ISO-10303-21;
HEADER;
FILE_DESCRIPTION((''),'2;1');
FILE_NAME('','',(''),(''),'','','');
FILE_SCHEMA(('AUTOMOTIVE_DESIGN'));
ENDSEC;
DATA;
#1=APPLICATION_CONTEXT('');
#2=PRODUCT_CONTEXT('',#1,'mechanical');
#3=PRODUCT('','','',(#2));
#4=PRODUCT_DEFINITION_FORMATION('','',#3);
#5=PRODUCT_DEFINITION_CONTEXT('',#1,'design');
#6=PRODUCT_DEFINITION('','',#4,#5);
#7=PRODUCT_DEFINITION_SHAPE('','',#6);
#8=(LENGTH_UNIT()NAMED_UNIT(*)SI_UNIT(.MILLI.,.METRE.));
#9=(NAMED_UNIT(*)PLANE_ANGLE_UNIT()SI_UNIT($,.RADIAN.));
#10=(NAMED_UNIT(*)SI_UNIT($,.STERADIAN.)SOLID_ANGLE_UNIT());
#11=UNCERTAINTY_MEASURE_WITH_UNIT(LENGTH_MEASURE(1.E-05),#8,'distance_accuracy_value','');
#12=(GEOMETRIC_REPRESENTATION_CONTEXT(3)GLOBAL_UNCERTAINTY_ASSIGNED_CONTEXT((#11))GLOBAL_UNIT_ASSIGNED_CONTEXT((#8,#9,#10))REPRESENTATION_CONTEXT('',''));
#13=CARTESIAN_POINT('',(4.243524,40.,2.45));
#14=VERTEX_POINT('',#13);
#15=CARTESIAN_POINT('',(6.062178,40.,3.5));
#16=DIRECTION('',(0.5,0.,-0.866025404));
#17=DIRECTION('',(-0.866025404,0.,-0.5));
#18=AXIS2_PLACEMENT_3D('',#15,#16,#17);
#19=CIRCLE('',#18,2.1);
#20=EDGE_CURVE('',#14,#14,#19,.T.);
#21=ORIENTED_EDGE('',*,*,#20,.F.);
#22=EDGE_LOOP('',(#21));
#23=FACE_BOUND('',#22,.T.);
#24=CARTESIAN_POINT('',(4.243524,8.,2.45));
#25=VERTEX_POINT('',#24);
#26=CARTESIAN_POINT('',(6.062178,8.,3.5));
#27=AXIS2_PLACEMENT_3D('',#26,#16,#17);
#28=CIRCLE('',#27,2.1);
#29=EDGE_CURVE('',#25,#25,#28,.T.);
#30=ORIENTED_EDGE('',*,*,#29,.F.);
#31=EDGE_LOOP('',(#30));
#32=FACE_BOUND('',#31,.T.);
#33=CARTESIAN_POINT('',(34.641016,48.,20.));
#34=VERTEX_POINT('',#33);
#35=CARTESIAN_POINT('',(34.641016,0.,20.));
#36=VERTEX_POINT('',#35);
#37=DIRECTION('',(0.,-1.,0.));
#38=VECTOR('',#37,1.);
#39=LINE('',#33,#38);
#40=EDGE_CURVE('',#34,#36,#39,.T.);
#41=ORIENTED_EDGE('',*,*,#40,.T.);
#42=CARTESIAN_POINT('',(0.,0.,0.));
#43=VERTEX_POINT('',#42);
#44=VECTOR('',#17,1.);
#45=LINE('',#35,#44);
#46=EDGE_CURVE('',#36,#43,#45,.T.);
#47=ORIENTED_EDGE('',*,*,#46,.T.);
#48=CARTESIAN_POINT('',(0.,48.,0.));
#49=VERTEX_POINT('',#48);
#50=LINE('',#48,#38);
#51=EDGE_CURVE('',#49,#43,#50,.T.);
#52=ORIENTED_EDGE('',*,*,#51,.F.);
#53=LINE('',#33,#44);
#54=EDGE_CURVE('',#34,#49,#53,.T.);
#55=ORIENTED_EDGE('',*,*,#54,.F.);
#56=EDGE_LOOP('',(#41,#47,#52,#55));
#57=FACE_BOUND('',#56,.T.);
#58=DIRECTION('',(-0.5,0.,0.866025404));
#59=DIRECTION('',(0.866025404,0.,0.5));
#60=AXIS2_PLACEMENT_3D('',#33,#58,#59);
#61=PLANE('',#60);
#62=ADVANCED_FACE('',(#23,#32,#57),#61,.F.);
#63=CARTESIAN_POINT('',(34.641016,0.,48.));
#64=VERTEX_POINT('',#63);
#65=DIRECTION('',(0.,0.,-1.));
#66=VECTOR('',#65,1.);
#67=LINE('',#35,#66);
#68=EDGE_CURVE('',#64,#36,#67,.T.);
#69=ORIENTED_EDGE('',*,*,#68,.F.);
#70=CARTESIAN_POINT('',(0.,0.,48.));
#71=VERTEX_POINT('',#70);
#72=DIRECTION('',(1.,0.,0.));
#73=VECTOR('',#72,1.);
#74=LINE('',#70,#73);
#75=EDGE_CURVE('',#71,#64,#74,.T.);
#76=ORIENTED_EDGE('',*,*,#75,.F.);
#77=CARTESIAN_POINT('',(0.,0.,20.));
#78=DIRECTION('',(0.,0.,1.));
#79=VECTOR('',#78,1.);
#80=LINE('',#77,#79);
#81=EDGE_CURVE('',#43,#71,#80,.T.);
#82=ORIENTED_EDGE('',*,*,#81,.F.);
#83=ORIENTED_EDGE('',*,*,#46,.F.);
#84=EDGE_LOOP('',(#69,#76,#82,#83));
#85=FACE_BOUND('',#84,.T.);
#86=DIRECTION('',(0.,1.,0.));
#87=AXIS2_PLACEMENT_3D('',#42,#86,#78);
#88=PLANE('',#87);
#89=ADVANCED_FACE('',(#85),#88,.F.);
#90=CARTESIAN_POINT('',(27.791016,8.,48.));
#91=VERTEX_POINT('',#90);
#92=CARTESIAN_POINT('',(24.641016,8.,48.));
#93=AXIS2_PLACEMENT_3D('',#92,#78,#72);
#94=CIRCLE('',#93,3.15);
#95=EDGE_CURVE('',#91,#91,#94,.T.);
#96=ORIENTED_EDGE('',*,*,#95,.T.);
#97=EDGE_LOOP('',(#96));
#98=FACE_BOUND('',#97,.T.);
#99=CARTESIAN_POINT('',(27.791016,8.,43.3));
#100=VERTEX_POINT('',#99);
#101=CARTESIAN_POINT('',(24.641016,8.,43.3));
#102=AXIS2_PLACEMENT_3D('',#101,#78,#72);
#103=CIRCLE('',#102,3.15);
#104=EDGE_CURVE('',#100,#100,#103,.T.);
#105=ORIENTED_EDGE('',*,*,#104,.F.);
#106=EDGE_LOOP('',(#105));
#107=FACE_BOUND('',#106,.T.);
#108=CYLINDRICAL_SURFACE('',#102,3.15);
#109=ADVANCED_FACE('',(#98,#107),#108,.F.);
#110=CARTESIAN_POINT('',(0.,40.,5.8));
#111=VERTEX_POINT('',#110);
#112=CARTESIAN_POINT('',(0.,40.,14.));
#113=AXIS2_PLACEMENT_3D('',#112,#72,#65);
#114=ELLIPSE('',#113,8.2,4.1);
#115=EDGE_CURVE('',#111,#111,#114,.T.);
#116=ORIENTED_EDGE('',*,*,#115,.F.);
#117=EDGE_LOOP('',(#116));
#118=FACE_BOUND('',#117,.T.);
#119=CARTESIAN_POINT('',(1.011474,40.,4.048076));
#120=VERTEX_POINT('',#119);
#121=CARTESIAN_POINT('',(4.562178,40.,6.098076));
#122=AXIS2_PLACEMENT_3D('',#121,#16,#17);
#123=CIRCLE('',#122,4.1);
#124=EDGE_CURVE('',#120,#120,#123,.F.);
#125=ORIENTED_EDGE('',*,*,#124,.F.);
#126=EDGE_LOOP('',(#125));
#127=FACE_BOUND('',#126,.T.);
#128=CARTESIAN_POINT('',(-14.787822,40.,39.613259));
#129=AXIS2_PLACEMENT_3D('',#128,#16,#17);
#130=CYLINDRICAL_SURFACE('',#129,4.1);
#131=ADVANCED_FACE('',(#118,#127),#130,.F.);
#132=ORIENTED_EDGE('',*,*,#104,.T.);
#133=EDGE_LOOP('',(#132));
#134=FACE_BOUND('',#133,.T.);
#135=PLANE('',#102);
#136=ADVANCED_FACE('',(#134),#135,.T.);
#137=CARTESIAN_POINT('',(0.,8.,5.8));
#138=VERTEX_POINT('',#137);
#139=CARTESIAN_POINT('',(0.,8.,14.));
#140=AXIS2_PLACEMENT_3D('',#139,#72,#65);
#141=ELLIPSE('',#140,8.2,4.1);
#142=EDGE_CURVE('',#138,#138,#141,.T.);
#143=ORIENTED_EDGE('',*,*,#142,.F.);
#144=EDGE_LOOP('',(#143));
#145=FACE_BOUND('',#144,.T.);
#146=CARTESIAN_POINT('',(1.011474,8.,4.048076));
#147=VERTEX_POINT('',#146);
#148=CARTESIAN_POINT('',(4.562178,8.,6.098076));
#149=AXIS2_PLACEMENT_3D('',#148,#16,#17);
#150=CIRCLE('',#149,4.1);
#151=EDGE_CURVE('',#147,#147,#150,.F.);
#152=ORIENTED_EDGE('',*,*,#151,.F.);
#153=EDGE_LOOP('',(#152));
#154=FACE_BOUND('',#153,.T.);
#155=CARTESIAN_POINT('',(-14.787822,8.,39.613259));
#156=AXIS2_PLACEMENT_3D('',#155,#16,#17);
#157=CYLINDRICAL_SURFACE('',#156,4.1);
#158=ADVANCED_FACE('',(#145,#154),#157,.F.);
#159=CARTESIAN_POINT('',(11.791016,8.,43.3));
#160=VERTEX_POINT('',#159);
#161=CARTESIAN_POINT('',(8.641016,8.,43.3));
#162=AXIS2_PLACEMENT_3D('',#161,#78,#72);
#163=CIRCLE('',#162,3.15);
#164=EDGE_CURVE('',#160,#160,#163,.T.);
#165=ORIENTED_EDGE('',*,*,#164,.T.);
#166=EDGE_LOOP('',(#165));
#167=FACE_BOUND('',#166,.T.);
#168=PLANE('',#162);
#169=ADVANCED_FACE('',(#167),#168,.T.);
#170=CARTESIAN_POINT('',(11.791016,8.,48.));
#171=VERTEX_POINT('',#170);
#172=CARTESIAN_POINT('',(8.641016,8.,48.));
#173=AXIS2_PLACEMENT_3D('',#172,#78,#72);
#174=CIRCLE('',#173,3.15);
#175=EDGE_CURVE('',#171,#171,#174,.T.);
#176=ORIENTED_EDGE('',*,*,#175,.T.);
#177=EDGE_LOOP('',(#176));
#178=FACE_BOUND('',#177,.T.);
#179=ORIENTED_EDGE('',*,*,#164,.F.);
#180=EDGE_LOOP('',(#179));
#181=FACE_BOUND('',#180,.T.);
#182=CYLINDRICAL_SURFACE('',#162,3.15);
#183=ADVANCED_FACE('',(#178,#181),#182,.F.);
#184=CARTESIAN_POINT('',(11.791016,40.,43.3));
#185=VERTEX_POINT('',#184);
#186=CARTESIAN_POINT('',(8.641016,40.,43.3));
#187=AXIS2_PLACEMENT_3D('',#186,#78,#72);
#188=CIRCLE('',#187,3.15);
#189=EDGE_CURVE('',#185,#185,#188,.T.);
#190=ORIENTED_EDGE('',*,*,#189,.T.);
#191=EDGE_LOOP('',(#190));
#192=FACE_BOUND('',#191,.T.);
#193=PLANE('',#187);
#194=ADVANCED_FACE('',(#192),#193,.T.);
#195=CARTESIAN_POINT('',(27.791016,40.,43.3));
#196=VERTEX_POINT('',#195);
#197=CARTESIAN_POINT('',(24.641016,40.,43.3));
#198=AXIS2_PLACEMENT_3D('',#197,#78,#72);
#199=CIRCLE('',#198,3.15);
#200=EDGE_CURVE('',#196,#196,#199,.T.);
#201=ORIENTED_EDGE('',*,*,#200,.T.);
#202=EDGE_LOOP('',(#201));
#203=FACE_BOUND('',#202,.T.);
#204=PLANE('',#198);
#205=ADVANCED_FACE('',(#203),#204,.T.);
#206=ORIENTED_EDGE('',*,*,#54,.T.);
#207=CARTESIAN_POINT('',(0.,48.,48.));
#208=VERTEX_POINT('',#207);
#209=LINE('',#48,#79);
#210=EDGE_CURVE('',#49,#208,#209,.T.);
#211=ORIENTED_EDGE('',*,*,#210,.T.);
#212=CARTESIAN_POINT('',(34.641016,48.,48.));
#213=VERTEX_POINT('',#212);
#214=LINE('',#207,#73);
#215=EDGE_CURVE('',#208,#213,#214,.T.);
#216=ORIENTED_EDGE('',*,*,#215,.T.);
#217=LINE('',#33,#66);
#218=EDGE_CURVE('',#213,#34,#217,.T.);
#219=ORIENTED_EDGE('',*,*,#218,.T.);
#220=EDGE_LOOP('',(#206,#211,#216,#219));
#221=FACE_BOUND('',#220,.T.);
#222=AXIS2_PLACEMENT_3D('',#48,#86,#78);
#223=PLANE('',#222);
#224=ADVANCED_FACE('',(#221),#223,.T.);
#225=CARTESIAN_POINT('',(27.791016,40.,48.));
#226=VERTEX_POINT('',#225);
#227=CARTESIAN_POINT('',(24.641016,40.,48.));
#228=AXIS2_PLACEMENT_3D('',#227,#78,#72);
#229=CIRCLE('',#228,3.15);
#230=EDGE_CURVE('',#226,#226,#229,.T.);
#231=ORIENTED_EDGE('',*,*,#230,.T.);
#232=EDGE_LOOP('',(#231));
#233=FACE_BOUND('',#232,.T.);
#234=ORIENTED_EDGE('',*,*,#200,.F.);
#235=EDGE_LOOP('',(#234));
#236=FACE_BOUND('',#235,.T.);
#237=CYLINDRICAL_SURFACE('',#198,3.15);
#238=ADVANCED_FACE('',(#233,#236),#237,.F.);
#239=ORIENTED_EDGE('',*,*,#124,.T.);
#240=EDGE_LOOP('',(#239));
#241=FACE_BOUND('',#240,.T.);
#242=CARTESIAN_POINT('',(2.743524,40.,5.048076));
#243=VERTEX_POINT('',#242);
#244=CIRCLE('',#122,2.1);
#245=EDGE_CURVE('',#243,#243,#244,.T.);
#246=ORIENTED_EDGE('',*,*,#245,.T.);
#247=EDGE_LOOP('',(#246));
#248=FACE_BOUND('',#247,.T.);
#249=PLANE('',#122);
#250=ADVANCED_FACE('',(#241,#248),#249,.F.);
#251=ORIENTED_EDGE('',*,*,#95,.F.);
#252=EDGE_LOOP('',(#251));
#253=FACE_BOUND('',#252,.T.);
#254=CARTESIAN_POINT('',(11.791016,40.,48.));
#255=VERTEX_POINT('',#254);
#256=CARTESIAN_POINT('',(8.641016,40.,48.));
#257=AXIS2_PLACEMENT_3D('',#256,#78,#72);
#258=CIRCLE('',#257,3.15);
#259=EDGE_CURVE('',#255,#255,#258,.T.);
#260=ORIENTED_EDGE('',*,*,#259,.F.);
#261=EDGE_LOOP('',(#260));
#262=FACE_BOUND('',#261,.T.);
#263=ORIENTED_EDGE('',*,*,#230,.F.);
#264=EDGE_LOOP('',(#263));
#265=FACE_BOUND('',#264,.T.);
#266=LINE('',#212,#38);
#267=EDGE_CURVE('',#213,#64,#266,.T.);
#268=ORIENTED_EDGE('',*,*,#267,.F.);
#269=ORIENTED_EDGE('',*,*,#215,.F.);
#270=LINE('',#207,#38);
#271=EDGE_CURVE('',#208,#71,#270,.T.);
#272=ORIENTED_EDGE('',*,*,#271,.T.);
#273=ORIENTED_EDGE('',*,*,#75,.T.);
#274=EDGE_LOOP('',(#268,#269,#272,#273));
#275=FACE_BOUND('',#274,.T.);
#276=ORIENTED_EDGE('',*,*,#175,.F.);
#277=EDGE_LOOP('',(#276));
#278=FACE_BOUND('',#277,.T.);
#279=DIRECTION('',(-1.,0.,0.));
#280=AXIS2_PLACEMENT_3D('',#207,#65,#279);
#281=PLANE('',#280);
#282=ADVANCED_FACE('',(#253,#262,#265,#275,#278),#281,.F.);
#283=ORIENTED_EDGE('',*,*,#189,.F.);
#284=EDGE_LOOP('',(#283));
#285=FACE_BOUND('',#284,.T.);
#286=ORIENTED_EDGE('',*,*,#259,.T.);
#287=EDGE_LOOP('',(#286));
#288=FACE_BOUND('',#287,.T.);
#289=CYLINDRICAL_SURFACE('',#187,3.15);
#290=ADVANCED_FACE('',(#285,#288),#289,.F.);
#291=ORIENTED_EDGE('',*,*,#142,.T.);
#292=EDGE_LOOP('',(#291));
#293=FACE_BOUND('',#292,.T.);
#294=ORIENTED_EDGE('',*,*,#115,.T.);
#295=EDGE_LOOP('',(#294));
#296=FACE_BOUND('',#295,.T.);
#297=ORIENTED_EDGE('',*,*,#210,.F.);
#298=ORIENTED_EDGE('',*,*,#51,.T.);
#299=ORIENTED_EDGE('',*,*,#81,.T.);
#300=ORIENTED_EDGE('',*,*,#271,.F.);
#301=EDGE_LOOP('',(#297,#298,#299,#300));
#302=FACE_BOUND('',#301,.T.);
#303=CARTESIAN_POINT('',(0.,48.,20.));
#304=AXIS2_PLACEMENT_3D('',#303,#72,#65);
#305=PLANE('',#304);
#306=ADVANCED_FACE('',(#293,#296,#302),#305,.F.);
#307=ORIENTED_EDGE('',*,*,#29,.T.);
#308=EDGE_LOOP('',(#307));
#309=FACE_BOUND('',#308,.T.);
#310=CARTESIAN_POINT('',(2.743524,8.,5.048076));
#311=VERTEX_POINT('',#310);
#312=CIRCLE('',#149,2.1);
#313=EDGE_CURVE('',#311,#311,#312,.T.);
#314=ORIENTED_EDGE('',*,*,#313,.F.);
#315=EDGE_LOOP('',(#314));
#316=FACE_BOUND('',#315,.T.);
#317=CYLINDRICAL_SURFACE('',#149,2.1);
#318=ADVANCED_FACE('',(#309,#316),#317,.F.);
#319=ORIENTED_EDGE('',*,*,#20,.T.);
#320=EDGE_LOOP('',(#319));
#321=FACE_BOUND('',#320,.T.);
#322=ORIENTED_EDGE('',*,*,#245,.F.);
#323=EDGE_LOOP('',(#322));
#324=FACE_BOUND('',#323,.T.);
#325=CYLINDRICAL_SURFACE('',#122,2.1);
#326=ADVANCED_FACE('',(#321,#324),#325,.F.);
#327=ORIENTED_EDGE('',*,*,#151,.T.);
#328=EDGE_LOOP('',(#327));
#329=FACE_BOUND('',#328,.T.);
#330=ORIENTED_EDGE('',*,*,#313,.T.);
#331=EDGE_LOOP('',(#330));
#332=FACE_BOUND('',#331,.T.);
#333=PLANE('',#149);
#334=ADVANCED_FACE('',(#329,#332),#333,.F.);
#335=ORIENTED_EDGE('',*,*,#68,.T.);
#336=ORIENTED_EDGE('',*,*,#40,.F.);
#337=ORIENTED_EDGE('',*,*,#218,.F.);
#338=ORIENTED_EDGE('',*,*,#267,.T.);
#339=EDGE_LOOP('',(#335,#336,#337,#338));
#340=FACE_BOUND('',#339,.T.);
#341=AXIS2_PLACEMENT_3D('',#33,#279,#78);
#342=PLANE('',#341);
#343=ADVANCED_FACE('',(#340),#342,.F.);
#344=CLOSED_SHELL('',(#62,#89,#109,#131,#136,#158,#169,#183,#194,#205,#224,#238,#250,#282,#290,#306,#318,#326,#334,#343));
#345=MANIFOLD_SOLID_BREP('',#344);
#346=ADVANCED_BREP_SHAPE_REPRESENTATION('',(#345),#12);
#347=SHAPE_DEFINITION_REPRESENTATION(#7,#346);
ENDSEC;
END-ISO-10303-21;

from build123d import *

# Parameters (mm, degrees)
BOSS_EXTRUDE1_DEPTH = 48
SKETCH3_R           = 4.1
CUT_EXTRUDE1_DEPTH  = 41.7
SKETCH4_R           = 3.15
CUT_EXTRUDE2_DEPTH  = 4.7
SKETCH5_R           = 4.1
SKETCH5_R_2         = 2.1
BOSS_EXTRUDE2_DEPTH = 3


with BuildPart() as part:
    # Sketch2 → Boss-Extrude1 (new body)
    with BuildSketch(Plane(origin=(0, 0, 0), x_dir=(1, 0, 0), z_dir=(0, 1, 0))):
        Polygon((0, 0), (0, -20), (0, -48), (34.641016151, -48), (34.641016151, -20), align=None)
    extrude(amount=BOSS_EXTRUDE1_DEPTH)

    # Sketch3 → Cut-Extrude1 (cut)
    with BuildSketch(Plane(origin=(0, 0, 0), x_dir=(-0.8660254037844417, 0, -0.4999999999999947), z_dir=(0.49999999999999484, 0, -0.8660254037844418))):
        with Locations((-7, 40)):
            Circle(SKETCH3_R)
        with Locations((-7, 8)):
            Circle(SKETCH3_R)
    extrude(amount=-CUT_EXTRUDE1_DEPTH, mode=Mode.SUBTRACT)

    # Sketch4 → Cut-Extrude2 (cut)
    with BuildSketch(Plane.XY.offset(48)):
        with Locations((8.641016151, 40)):
            Circle(SKETCH4_R)
        with Locations((24.641016151, 40)):
            Circle(SKETCH4_R)
        with Locations((8.641016151, 8)):
            Circle(SKETCH4_R)
        with Locations((24.641016151, 8)):
            Circle(SKETCH4_R)
    extrude(amount=-CUT_EXTRUDE2_DEPTH, mode=Mode.SUBTRACT)

    # Sketch5 → Boss-Extrude2 (add)
    # profile 1 of 2: a face of its own
    with BuildSketch(Plane(origin=(0, 0, 0), x_dir=(-0.8660254037844417, 0, -0.4999999999999947), z_dir=(0.49999999999999484, 0, -0.8660254037844418))):
        with Locations((-7, 40)):
            Circle(SKETCH5_R)
        with Locations((-7, 40)):
            Circle(SKETCH5_R_2, mode=Mode.SUBTRACT)
    # profile 2 of 2: a face of its own
    with BuildSketch(Plane(origin=(0, 0, 0), x_dir=(-0.8660254037844417, 0, -0.4999999999999947), z_dir=(0.49999999999999484, 0, -0.8660254037844418))):
        with Locations((-7, 8)):
            Circle(SKETCH5_R)
        with Locations((-7, 8)):
            Circle(SKETCH5_R_2, mode=Mode.SUBTRACT)
    extrude(amount=-BOSS_EXTRUDE2_DEPTH)


solid = part.part
